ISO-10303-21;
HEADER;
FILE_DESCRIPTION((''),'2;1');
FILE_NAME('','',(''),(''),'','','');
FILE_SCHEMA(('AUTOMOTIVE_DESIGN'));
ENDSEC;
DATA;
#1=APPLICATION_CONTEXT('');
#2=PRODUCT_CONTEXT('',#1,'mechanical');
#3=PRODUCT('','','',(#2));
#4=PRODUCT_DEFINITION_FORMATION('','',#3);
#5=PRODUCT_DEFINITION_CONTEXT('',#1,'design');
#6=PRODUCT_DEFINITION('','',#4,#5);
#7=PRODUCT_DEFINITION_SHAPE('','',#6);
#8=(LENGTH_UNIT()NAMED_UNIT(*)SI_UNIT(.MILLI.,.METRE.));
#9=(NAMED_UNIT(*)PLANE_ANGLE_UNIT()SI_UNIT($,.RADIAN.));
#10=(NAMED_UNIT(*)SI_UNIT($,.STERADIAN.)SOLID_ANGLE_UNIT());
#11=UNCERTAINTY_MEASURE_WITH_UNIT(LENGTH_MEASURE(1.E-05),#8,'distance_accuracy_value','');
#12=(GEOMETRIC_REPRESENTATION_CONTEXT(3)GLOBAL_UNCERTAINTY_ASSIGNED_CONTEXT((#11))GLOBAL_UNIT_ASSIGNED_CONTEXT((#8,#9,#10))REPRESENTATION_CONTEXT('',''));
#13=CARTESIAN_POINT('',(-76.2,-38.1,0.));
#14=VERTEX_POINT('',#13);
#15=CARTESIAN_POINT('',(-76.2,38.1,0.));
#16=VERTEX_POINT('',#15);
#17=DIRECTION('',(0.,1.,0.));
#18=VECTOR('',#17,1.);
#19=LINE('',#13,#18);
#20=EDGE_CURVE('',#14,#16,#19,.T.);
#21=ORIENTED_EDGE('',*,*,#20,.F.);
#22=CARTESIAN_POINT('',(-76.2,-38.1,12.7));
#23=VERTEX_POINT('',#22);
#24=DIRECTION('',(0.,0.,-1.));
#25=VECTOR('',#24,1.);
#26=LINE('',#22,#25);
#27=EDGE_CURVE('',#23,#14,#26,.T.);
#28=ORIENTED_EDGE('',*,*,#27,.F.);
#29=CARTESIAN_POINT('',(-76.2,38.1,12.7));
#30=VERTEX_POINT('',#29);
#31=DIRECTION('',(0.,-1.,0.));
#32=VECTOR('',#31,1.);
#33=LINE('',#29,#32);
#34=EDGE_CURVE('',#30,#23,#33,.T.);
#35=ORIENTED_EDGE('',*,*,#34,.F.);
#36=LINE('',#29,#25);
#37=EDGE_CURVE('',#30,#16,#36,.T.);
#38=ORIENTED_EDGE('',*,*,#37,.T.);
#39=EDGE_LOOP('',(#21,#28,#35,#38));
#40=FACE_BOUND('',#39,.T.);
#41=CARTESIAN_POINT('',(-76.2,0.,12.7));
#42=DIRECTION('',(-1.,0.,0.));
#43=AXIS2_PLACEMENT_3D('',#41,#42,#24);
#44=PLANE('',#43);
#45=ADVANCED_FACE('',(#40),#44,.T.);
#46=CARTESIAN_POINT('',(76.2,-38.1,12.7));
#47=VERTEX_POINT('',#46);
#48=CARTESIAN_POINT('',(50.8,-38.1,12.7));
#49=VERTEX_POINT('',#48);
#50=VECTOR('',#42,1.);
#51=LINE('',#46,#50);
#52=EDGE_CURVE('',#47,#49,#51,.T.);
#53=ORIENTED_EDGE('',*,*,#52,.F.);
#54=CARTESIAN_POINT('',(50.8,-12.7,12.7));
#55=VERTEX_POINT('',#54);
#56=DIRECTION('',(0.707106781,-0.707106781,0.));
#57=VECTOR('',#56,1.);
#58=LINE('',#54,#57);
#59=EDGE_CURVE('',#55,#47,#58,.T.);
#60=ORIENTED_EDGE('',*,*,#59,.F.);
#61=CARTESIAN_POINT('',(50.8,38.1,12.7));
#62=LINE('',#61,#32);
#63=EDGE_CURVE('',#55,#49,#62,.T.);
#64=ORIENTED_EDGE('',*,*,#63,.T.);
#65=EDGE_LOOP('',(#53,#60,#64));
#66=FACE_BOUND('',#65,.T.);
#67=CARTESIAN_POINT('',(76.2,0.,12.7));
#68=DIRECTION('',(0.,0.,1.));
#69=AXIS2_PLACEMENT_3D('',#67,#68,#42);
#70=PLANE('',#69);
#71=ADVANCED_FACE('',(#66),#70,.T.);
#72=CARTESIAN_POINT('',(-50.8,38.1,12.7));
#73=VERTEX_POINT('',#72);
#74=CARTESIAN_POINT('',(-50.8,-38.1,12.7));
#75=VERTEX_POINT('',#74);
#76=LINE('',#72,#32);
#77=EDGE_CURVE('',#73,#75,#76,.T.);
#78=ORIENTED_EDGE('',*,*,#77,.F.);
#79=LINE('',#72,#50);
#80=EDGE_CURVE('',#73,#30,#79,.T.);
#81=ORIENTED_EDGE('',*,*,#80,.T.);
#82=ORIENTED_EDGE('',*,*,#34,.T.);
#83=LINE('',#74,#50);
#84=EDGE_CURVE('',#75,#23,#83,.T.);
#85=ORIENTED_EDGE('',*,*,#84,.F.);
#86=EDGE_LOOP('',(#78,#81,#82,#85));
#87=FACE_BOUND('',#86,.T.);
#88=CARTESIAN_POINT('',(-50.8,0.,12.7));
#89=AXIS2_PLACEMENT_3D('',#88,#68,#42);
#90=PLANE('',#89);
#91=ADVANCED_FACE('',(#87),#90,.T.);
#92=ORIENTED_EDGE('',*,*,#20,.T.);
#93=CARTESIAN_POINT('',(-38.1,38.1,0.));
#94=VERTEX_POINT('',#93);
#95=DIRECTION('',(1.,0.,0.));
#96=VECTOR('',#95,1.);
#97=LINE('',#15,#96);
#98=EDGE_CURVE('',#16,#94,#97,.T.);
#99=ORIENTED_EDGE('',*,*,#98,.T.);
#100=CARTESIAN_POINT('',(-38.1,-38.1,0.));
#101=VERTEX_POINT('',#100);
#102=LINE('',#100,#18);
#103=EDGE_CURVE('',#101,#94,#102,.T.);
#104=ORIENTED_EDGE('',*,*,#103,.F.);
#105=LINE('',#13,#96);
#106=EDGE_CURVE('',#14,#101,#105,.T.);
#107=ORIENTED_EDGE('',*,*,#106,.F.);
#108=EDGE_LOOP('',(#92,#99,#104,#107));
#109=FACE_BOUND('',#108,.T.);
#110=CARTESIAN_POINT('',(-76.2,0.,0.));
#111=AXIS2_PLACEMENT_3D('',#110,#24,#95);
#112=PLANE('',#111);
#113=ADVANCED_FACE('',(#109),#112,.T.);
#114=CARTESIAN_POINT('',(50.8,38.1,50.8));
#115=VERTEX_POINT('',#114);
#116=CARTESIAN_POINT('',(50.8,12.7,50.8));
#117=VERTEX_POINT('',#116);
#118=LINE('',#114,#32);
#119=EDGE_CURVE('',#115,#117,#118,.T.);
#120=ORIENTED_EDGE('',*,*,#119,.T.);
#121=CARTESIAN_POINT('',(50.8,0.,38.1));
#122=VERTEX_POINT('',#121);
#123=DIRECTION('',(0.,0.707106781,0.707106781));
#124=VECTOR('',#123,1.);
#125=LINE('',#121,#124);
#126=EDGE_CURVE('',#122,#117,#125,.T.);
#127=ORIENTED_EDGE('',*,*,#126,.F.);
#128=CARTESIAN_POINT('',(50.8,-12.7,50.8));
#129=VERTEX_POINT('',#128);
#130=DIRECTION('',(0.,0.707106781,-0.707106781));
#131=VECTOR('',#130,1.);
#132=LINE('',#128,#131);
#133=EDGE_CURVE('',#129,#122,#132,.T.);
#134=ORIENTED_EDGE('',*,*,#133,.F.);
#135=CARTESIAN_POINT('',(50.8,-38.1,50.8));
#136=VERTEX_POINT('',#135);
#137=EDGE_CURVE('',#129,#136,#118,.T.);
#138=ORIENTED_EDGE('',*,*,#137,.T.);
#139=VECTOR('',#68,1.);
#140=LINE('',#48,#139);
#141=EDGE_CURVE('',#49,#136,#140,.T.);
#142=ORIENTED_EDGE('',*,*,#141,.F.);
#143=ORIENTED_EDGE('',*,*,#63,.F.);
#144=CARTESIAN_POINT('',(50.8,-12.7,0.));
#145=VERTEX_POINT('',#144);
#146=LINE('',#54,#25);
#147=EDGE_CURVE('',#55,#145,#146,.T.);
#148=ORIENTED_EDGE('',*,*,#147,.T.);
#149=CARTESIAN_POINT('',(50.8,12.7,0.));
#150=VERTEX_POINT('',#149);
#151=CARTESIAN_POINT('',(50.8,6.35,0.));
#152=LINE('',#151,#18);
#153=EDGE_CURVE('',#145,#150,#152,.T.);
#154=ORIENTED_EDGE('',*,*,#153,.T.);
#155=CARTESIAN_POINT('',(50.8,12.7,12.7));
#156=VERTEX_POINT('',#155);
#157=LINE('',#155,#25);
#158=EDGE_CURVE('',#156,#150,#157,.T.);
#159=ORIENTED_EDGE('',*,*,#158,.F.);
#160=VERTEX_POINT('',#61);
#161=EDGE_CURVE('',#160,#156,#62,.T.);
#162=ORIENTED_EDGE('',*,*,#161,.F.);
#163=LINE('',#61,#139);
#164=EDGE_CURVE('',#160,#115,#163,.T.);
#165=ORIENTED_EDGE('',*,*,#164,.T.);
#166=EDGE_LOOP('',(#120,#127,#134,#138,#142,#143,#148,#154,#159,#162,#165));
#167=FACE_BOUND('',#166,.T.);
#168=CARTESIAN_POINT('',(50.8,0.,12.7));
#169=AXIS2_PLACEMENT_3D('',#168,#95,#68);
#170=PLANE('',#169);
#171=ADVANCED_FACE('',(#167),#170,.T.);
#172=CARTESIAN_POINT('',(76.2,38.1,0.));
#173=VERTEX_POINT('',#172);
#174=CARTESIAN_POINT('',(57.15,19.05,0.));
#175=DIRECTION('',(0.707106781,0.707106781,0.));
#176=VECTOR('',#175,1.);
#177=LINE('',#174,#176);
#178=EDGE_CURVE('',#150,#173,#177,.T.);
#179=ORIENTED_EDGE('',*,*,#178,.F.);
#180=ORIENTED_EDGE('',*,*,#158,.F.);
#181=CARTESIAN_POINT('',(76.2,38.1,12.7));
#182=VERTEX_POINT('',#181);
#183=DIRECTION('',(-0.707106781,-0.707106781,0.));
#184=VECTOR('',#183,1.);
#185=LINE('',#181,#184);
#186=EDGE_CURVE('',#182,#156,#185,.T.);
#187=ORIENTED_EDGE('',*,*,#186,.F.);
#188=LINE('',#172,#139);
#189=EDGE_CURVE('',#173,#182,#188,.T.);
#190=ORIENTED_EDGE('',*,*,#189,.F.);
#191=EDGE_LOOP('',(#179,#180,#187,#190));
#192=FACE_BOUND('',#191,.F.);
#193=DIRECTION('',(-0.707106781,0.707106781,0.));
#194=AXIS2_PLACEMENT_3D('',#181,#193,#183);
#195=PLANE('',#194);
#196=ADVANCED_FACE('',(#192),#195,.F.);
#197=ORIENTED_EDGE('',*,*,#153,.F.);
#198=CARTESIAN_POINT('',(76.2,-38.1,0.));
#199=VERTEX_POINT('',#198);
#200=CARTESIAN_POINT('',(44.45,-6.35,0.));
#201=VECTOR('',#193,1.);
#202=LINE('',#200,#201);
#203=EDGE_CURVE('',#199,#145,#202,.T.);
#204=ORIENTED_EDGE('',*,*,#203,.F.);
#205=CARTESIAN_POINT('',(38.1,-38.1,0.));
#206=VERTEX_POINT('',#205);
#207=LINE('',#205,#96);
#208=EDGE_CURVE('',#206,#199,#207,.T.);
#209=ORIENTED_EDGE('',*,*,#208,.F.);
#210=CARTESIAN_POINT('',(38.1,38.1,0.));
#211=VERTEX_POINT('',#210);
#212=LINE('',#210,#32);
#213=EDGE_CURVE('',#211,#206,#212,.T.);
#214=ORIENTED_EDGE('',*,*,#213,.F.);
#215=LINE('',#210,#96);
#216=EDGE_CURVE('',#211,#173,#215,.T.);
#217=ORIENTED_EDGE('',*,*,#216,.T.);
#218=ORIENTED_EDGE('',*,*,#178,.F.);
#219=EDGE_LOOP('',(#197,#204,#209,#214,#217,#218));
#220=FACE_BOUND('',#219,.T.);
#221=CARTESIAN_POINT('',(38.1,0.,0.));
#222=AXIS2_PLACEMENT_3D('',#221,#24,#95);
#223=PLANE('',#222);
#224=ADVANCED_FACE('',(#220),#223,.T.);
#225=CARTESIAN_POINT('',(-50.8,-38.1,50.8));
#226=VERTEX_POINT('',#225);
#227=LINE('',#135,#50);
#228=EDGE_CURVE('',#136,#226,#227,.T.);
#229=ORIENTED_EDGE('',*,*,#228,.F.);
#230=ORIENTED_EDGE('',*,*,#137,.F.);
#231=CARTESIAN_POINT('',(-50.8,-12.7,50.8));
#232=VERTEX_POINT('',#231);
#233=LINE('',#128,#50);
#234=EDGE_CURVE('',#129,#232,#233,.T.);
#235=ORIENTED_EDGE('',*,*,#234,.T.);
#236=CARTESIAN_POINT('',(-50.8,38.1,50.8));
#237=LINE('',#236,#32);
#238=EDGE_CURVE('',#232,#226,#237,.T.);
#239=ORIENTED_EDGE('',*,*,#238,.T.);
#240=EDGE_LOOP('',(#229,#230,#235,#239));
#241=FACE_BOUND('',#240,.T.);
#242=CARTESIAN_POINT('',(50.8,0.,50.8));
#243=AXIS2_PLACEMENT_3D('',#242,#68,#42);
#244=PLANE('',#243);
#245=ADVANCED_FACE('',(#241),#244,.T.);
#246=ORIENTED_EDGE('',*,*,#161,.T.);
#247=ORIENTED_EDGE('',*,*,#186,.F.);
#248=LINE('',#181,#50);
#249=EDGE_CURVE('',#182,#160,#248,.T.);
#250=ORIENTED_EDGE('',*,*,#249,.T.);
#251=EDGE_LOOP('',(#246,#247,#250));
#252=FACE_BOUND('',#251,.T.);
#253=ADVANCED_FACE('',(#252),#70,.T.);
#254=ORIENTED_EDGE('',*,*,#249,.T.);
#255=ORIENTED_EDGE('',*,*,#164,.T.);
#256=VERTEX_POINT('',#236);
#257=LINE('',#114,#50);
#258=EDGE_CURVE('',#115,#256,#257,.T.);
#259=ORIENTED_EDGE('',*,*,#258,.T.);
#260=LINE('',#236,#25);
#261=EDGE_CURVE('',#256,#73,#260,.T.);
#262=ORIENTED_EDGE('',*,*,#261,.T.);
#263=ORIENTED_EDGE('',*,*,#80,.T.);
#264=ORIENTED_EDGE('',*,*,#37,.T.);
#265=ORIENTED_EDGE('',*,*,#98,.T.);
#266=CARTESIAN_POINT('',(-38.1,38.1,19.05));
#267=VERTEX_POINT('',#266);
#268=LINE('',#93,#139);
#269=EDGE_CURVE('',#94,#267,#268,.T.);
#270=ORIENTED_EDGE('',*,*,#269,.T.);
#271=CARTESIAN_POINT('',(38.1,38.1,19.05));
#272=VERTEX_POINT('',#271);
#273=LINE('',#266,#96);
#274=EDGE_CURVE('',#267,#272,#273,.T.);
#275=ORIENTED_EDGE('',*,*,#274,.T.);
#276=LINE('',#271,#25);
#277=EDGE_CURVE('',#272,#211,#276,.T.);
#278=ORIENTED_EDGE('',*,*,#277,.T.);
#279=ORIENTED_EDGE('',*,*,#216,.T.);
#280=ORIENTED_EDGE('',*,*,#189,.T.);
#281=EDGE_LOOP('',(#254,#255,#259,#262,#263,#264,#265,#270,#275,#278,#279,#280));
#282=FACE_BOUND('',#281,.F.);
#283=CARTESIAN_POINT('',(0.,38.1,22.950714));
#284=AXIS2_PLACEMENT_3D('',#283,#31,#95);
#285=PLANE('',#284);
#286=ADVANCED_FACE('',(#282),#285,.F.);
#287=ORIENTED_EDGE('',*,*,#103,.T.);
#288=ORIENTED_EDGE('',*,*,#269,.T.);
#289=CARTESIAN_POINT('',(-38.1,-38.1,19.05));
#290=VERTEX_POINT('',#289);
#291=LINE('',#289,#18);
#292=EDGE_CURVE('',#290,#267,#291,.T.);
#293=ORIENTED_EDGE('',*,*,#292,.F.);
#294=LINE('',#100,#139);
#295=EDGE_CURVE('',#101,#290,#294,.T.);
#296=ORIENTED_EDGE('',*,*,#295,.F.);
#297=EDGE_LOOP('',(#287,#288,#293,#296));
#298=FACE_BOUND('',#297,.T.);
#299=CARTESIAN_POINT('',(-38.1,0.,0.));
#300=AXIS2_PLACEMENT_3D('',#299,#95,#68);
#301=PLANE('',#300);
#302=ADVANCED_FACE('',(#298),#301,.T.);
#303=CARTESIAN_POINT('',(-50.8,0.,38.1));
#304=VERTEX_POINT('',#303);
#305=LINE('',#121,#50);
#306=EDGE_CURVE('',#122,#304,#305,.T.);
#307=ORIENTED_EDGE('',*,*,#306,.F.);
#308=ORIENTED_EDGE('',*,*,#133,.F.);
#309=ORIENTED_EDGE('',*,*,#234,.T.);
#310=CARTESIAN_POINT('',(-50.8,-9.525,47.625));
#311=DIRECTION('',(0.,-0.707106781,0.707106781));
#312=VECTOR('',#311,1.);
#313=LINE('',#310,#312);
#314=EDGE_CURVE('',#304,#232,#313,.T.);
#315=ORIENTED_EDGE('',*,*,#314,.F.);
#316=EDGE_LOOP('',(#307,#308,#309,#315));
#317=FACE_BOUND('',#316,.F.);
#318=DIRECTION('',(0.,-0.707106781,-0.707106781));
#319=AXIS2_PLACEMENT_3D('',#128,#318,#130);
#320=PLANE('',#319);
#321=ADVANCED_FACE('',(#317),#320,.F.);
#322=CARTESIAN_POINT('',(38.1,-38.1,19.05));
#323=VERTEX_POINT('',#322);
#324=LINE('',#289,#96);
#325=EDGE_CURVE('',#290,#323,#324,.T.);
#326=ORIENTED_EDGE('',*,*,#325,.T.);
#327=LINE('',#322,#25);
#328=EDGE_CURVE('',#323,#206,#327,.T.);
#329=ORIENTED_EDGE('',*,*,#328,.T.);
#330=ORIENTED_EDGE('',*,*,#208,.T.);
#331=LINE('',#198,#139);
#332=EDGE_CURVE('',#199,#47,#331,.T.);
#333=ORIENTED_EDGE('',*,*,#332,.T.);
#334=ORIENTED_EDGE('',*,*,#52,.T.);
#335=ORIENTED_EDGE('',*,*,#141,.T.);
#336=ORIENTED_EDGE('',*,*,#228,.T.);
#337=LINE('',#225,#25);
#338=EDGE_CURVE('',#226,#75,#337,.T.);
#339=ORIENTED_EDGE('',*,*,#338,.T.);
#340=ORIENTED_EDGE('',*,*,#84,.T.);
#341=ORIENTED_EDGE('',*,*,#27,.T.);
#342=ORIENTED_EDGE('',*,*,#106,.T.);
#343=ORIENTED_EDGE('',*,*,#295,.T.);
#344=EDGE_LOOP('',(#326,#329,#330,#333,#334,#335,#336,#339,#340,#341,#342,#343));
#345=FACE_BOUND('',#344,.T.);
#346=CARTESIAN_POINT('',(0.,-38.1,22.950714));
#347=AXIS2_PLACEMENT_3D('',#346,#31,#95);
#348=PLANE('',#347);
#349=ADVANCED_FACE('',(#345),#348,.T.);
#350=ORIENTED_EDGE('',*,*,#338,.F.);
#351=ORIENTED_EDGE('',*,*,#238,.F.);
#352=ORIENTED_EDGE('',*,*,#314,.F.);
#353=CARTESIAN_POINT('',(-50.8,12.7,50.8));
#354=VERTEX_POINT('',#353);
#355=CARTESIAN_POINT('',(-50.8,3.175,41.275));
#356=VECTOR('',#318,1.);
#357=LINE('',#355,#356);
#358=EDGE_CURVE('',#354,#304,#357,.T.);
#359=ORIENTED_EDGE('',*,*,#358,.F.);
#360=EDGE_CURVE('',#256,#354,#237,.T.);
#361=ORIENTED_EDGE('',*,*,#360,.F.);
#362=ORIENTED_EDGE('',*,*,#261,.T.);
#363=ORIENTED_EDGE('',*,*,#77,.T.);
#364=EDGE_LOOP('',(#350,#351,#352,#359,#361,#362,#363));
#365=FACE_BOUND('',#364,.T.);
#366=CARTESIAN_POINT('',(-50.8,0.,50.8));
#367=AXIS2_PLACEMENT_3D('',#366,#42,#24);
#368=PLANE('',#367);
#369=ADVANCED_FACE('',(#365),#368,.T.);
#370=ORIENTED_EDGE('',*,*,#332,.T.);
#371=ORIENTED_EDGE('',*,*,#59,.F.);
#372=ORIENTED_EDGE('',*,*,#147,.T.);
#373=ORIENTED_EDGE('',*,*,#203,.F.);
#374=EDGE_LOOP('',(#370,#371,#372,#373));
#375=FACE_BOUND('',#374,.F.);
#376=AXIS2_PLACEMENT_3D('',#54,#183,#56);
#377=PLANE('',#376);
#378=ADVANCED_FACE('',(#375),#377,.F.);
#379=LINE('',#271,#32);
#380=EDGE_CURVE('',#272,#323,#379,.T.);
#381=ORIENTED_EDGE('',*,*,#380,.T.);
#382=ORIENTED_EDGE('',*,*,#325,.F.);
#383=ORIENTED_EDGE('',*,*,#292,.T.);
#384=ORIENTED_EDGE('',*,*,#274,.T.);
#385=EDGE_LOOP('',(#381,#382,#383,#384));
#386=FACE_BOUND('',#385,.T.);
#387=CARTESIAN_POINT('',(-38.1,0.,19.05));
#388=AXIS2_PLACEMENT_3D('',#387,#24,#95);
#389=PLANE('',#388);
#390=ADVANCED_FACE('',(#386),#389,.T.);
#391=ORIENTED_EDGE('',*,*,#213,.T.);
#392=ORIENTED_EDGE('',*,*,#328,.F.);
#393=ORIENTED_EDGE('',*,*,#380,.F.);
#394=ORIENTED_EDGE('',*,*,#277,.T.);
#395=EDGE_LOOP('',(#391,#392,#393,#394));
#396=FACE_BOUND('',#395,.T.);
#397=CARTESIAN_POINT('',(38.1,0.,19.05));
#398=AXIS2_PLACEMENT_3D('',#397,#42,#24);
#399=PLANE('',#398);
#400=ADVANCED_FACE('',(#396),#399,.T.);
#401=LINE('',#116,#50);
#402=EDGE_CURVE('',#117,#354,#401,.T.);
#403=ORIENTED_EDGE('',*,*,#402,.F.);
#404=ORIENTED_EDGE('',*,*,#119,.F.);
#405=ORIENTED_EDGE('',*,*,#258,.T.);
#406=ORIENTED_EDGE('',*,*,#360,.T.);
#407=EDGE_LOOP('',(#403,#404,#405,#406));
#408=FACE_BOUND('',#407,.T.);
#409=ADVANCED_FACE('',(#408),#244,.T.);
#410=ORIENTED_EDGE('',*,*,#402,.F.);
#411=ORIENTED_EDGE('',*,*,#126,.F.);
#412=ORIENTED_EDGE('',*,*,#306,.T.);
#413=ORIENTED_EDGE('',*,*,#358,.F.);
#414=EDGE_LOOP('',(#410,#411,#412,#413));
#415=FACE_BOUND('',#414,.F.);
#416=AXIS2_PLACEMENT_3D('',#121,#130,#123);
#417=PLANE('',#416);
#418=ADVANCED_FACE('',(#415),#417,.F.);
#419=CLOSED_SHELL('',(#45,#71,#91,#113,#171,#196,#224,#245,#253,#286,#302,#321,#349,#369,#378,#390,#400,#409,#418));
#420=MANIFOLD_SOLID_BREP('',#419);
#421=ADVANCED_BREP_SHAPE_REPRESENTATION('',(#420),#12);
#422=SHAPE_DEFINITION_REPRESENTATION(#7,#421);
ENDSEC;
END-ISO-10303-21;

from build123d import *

# Parameters (mm, degrees)
F1_DEPTH = 38.1
F3_DEPTH = 12.701
F5_DEPTH = 127.001


with BuildPart() as f1:
    # F0 (on Front) → F1 (new body, symmetric)
    with BuildSketch(Plane.XZ):
        Polygon((-38.1, 19.05), (0, 19.05), (38.1, 19.05), (38.1, 0), (76.2, 0), (76.2, 12.7), (50.8, 12.7), (50.8, 50.8), (-50.8, 50.8), (-50.8, 12.7), (-76.2, 12.7), (-76.2, 0), (-38.1, 0), align=None)
    extrude(amount=F1_DEPTH, both=True)

    # F2 (on face) → F3 (cut, through all)
    with BuildSketch(Plane.XY.offset(12.7)):
        Polygon((50.8, -12.7), (76.2, -38.1), (76.2, 38.1), (50.8, 12.7), align=None)
    extrude(amount=-F3_DEPTH, mode=Mode.SUBTRACT)

    # F4 (on face) → F5 (cut, through all)
    with BuildSketch(Plane.YZ.offset(50.8)):
        Polygon((12.7, 50.8), (-12.7, 50.8), (0, 38.1), align=None)
    extrude(amount=-F5_DEPTH, mode=Mode.SUBTRACT)


solid = f1.part
